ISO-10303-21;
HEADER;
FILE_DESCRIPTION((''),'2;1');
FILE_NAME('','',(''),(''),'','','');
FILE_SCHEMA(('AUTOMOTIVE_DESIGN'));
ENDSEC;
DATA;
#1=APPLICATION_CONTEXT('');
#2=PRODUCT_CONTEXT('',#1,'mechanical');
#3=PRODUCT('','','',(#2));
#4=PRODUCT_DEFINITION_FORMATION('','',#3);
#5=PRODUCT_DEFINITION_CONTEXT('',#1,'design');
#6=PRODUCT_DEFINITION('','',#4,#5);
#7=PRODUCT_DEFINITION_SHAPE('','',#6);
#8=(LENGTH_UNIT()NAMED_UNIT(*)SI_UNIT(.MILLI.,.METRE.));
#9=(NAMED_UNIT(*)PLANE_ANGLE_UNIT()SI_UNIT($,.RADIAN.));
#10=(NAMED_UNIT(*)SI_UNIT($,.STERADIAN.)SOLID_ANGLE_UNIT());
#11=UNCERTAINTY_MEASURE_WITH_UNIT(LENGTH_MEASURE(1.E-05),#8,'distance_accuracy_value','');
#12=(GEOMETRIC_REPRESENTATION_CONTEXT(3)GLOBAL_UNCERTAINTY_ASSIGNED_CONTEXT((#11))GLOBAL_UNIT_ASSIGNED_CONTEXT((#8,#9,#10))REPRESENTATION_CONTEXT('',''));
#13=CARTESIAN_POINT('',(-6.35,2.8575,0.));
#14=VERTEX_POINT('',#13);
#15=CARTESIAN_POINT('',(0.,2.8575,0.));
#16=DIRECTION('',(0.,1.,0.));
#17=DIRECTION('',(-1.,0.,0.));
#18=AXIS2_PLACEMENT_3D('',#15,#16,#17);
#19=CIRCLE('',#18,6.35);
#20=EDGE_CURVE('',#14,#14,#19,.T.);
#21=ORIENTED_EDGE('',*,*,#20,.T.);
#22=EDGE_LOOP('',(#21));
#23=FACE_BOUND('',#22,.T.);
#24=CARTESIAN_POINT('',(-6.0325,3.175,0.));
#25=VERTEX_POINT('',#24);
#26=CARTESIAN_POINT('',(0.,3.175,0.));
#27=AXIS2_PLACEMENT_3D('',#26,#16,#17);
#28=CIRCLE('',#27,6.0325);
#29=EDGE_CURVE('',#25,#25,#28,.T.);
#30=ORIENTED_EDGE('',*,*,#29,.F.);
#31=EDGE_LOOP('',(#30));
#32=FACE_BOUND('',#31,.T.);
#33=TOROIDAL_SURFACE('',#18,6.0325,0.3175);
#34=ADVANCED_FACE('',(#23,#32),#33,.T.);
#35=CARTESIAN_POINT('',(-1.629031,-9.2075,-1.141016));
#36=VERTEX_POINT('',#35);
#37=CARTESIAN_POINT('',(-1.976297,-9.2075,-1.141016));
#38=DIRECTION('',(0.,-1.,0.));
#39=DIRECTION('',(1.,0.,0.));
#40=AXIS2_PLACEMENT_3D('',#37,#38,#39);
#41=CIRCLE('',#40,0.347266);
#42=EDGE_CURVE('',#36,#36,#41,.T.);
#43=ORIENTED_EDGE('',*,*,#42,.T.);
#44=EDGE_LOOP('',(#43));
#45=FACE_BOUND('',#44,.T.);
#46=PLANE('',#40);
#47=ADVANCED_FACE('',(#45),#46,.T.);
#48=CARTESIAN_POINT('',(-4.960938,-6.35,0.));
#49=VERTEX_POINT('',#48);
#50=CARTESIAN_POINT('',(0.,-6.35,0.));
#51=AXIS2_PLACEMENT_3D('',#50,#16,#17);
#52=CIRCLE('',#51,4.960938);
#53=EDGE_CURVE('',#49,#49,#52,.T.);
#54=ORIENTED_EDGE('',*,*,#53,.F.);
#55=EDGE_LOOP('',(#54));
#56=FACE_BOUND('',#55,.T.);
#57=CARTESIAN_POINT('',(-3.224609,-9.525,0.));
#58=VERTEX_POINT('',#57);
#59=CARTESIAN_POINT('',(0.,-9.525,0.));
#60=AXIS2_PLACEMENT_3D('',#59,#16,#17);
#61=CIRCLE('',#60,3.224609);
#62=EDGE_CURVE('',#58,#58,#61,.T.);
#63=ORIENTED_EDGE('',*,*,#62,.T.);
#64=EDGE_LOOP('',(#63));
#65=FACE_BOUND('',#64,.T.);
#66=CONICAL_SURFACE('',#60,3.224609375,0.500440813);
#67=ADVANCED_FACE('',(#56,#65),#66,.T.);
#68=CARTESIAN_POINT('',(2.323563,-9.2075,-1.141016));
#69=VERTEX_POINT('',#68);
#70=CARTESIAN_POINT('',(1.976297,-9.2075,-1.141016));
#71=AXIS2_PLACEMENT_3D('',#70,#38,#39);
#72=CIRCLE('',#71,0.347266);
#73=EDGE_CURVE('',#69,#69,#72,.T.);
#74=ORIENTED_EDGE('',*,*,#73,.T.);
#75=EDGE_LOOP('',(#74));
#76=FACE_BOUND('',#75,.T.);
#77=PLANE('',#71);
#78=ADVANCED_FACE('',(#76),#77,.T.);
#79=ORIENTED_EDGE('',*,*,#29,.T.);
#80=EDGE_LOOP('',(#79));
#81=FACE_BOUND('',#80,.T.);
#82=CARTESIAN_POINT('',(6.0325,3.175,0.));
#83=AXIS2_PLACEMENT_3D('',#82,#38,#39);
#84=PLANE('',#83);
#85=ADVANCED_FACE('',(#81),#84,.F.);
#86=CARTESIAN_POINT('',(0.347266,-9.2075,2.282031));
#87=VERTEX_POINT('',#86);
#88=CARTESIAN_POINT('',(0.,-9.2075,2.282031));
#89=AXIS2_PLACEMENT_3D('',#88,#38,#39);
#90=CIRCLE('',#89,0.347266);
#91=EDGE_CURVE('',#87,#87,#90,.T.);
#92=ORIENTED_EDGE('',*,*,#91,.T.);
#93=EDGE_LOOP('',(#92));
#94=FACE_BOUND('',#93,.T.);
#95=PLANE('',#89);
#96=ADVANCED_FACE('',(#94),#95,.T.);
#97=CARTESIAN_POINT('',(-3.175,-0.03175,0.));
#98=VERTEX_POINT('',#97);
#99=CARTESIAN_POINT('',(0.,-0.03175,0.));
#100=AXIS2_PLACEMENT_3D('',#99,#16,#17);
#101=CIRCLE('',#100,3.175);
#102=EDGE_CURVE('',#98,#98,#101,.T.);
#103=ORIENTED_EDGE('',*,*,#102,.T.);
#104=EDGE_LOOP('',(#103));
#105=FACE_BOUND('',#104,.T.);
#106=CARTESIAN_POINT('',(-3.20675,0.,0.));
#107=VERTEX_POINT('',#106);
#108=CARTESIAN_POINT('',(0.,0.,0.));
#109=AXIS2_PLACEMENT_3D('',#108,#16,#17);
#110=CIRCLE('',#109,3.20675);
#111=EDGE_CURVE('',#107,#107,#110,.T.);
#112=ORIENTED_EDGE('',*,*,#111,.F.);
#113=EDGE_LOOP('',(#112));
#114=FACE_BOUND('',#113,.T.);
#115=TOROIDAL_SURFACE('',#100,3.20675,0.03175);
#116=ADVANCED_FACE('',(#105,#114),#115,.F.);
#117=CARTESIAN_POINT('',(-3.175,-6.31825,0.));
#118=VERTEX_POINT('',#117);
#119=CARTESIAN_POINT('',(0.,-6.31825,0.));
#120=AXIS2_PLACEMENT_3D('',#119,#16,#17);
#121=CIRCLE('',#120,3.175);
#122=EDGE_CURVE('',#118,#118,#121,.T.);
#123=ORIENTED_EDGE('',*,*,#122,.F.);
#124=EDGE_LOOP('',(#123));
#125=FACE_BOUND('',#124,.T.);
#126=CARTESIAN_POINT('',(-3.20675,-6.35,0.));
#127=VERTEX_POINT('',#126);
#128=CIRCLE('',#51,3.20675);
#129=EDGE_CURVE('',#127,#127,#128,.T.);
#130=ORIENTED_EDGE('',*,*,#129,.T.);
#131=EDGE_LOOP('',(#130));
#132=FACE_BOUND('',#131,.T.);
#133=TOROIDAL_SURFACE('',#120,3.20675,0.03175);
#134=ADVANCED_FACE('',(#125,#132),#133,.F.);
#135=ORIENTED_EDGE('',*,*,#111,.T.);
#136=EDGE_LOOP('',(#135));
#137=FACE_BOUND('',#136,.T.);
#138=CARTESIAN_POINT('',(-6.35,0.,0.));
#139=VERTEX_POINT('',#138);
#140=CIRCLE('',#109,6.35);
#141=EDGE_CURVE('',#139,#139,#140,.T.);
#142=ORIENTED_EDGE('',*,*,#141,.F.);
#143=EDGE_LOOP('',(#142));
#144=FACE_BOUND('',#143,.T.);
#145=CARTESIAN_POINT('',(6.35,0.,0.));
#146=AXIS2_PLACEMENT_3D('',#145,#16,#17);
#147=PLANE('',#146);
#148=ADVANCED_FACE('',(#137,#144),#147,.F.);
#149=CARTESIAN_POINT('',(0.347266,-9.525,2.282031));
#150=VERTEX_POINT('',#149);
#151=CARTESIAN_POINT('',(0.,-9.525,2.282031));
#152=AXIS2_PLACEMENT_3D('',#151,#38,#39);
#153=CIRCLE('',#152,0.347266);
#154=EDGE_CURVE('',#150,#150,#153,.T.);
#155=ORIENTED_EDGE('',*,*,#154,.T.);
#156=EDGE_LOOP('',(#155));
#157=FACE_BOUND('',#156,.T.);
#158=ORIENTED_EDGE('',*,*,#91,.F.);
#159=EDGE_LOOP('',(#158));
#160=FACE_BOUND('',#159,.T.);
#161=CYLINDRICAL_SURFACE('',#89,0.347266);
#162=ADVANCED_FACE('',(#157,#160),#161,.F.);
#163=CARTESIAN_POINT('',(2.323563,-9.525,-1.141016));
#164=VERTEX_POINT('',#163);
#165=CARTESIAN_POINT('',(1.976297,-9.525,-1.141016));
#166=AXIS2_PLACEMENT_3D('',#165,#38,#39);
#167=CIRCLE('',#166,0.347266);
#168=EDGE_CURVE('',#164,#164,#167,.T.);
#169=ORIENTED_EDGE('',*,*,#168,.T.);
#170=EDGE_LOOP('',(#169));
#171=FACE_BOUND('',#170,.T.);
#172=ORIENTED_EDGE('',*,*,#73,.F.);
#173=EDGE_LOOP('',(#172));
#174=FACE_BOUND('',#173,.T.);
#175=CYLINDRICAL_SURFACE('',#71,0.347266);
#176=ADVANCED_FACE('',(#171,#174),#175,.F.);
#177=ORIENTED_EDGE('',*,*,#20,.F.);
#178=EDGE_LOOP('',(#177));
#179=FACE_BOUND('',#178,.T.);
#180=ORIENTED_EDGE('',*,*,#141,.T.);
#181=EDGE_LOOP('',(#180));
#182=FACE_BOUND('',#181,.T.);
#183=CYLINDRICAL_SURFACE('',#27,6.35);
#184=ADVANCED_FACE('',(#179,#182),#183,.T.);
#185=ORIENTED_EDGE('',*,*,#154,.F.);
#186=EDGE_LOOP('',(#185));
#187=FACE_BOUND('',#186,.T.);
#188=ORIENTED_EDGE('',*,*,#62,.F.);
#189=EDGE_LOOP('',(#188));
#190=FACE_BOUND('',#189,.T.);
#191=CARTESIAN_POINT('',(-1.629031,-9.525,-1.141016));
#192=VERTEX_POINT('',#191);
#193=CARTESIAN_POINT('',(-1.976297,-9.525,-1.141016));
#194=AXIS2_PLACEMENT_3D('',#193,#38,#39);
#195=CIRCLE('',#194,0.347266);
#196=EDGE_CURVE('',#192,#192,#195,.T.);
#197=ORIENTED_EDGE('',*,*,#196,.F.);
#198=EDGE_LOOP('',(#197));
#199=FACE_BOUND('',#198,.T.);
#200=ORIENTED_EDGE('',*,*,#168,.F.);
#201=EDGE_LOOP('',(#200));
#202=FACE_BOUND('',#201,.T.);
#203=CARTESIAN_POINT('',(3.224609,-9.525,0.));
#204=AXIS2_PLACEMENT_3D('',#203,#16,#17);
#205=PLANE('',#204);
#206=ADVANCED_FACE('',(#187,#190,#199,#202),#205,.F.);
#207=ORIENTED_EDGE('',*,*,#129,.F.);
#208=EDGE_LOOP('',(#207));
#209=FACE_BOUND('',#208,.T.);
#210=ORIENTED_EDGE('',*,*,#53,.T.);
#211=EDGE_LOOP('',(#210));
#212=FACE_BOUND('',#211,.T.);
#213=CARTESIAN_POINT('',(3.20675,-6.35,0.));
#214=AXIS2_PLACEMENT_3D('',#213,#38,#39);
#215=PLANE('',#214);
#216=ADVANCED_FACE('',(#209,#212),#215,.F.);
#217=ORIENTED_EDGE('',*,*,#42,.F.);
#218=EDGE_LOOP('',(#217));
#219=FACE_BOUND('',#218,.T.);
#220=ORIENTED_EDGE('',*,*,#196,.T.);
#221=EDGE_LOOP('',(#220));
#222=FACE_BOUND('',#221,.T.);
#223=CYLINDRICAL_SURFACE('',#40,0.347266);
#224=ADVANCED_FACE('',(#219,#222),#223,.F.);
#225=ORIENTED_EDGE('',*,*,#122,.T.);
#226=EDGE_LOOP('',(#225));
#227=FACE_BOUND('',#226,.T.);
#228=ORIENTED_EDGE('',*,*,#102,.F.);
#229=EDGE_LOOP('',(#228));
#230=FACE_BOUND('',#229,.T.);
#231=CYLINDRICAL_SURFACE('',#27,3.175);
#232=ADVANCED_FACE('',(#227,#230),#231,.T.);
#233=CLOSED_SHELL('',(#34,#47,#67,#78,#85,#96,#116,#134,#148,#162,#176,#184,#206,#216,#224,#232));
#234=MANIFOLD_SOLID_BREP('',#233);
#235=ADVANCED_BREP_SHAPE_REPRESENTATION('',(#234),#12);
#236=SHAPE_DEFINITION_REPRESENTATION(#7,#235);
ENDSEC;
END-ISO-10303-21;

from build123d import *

# Parameters (mm, degrees)
SKETCH3_R          = 0.347265625
CUT_EXTRUDE1_DEPTH = 0.3175


with BuildPart() as part:
    # Sketch2 → Revolve1 (revolve)
    with BuildSketch(Plane.XY):
        with BuildLine():
            Line((0, 3.175), (0, -9.525))
            Line((0, -9.525), (3.224609375, -9.525))
            Line((3.224609375, -9.525), (4.9609375, -6.35))
            Line((4.9609375, -6.35), (3.20675, -6.35))
            ThreePointArc((3.20675, -6.35), (3.18429936, -6.34070064), (3.175, -6.31825))
            Line((3.175, -6.31825), (3.175, -0.03175))
            ThreePointArc((3.175, -0.03175), (3.18429936, -0.00929936), (3.20675, 0))
            Line((3.20675, 0), (6.35, 0))
            Line((6.35, 0), (6.35, 2.8575))
            ThreePointArc((6.35, 2.8575), (6.257006403, 3.082006403), (6.0325, 3.175))
            Line((6.0325, 3.175), (0, 3.175))
        make_face()
    revolve(axis=Axis((0, 3.175, 0), (0, -1, 0)))

    # Sketch3 → Cut-Extrude1 (cut)
    with BuildSketch(Plane.XZ.offset(9.525)):
        with Locations((0, 2.28203125)):
            Circle(SKETCH3_R)
        with Locations((1.976297035, -1.141015625)):
            Circle(SKETCH3_R)
        with Locations((-1.976297035, -1.141015625)):
            Circle(SKETCH3_R)
    extrude(amount=-CUT_EXTRUDE1_DEPTH, mode=Mode.SUBTRACT)


solid = part.part
